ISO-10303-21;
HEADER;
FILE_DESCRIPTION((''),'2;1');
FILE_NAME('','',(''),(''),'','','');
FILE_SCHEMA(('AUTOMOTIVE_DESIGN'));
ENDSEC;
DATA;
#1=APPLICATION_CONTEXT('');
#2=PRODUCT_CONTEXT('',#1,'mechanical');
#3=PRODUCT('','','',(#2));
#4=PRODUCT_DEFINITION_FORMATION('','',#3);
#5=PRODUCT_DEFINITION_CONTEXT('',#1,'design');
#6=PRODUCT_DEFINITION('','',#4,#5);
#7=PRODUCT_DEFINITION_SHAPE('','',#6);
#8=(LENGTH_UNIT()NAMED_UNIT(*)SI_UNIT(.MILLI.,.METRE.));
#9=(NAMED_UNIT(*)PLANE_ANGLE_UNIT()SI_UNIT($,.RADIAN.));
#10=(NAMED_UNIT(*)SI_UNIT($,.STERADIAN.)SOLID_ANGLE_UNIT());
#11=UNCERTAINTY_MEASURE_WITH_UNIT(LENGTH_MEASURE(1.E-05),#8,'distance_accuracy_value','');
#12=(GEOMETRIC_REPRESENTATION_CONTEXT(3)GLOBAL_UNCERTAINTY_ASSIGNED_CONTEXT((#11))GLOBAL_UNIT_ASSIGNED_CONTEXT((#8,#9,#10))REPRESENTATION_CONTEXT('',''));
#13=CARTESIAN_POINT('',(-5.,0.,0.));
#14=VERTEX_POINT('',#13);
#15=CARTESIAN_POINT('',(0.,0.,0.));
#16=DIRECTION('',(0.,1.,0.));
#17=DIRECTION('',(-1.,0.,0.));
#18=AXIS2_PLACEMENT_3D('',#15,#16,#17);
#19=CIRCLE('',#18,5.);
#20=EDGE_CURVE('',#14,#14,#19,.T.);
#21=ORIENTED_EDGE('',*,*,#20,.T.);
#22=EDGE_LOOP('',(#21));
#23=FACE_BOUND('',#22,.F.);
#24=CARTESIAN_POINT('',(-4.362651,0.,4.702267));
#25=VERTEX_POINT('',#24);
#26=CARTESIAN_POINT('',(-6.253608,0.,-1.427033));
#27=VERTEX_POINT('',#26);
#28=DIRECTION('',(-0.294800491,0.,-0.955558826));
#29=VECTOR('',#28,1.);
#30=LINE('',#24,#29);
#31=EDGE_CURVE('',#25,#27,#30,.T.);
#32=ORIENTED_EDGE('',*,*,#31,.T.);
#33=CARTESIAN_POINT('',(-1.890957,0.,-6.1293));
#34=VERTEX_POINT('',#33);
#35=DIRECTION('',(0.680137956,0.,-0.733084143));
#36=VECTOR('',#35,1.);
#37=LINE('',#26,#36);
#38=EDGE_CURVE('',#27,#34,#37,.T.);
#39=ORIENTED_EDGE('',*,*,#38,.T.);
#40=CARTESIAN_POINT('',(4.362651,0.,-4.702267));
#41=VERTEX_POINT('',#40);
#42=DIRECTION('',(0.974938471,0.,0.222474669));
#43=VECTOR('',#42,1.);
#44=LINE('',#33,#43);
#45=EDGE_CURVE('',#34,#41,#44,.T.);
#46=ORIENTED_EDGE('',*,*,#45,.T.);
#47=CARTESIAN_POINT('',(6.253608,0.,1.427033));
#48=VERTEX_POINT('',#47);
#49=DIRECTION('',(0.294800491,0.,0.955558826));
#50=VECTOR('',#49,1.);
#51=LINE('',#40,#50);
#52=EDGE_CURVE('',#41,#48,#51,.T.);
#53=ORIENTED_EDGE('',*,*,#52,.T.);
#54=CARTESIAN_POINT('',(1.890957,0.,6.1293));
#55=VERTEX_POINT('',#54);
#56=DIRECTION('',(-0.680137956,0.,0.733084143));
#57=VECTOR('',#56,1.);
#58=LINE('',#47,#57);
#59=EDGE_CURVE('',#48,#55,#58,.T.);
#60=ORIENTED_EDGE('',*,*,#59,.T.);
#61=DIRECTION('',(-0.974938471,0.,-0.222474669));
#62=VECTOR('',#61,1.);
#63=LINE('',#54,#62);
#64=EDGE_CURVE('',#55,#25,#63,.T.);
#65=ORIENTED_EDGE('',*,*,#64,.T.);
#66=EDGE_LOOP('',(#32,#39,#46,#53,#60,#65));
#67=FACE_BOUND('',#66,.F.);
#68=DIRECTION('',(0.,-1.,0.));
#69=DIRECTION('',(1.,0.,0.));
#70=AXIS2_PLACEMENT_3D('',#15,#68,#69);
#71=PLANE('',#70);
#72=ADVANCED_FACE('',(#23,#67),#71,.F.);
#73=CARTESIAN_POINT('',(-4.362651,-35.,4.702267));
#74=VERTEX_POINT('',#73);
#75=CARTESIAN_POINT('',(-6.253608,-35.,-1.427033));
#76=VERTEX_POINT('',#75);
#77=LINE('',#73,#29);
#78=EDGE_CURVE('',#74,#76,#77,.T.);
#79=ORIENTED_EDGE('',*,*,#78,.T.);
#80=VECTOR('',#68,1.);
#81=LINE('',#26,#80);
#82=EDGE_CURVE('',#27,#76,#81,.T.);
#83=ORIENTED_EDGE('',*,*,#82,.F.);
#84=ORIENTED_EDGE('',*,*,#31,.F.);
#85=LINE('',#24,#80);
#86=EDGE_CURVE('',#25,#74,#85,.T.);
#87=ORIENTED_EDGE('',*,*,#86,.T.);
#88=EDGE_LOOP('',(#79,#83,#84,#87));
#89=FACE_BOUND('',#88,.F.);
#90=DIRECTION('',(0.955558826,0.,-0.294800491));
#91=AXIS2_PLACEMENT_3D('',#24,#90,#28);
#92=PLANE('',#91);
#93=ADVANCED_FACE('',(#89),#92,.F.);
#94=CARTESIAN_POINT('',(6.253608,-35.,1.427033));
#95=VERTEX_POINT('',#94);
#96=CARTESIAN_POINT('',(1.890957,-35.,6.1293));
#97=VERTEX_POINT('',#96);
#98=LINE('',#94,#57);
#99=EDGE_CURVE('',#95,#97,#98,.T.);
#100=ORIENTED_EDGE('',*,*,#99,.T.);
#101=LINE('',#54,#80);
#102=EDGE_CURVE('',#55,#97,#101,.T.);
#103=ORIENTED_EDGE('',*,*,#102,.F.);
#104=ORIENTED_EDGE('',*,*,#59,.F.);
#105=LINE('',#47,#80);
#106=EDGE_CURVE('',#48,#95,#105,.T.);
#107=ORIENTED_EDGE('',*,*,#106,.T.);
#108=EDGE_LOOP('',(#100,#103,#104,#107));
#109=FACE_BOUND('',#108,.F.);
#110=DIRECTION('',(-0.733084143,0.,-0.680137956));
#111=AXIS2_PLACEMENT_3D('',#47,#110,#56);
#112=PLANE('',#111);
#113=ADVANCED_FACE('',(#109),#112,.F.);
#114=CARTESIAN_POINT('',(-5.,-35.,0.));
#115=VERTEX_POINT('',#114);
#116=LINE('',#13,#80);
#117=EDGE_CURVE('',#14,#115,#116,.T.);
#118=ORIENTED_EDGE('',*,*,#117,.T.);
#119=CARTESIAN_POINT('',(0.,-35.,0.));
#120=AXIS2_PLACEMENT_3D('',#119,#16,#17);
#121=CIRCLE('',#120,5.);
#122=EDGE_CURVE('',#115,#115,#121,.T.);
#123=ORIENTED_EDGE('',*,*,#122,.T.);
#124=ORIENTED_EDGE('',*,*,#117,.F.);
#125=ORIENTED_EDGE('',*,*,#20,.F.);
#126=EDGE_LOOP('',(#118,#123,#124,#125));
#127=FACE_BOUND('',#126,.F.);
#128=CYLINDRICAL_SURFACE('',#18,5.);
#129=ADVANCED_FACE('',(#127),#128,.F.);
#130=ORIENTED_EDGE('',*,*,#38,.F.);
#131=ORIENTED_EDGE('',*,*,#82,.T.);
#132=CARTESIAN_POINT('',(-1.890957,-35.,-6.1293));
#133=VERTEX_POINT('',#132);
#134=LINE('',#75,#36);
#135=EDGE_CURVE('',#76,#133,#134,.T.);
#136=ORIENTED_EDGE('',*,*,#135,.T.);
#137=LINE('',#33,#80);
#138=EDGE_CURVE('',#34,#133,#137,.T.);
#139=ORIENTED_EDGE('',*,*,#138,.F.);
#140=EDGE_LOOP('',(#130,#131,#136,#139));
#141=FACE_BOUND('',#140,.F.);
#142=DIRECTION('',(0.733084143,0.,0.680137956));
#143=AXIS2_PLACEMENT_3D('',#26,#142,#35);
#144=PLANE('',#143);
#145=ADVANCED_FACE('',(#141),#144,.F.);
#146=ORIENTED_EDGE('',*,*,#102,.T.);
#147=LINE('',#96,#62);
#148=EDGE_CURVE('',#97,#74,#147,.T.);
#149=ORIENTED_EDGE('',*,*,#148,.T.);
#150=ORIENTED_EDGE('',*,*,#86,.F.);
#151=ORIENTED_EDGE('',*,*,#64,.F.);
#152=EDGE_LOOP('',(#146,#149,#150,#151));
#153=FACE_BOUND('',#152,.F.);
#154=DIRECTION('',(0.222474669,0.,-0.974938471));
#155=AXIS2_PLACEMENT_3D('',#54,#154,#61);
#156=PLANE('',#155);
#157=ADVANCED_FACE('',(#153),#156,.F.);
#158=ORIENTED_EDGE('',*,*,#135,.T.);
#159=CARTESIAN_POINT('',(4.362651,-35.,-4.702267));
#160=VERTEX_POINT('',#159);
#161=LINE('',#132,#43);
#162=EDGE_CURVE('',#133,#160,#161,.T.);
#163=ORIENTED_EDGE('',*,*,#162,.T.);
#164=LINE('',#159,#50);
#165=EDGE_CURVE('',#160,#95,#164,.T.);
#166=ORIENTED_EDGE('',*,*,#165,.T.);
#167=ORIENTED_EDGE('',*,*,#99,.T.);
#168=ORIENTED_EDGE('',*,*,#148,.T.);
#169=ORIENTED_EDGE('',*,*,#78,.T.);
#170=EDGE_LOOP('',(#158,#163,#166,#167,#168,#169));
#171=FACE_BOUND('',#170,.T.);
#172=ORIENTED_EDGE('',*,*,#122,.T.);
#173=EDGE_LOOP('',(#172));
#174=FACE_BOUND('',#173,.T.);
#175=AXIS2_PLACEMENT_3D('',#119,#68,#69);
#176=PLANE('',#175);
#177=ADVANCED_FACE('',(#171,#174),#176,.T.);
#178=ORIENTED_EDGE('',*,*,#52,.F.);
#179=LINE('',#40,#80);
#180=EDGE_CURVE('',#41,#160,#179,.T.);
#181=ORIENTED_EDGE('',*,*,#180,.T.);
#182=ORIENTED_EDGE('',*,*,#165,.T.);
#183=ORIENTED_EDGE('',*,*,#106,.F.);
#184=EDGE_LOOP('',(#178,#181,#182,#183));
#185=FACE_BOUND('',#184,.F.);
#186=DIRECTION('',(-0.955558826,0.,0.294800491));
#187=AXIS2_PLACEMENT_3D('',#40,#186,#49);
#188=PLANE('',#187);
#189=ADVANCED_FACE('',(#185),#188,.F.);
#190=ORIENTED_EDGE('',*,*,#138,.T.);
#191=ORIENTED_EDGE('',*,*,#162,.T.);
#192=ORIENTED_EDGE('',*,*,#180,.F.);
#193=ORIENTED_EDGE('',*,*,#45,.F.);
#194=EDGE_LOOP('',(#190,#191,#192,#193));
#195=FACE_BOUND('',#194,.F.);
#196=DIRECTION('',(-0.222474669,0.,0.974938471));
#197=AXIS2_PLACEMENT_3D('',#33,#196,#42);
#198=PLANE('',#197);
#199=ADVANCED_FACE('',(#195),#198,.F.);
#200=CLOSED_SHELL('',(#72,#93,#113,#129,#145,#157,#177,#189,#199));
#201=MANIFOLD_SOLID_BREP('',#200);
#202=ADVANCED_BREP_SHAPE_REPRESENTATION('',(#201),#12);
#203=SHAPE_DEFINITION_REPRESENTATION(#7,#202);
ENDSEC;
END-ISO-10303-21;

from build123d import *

# Parameters (mm, degrees)
F1_DEPTH = 35
F2_R     = 5
F3_DEPTH = 35.001


with BuildPart() as f1:
    # F0 (on Front) → F1 (new body)
    with BuildSketch(Plane.XZ):
        Polygon((6.253608, 1.427033), (1.890957, 6.1293), (-4.362651, 4.702267), (-6.253608, -1.427033), (-1.890957, -6.1293), (4.362651, -4.702267), align=None)
    extrude(amount=F1_DEPTH)

    # F2 (on face) → F3 (cut, through all)
    with BuildSketch(Plane(origin=(0, 0, 0), x_dir=(-1, 0, 0), z_dir=(0, 1, 0))):
        Circle(F2_R)
    extrude(amount=-F3_DEPTH, mode=Mode.SUBTRACT)


solid = f1.part
